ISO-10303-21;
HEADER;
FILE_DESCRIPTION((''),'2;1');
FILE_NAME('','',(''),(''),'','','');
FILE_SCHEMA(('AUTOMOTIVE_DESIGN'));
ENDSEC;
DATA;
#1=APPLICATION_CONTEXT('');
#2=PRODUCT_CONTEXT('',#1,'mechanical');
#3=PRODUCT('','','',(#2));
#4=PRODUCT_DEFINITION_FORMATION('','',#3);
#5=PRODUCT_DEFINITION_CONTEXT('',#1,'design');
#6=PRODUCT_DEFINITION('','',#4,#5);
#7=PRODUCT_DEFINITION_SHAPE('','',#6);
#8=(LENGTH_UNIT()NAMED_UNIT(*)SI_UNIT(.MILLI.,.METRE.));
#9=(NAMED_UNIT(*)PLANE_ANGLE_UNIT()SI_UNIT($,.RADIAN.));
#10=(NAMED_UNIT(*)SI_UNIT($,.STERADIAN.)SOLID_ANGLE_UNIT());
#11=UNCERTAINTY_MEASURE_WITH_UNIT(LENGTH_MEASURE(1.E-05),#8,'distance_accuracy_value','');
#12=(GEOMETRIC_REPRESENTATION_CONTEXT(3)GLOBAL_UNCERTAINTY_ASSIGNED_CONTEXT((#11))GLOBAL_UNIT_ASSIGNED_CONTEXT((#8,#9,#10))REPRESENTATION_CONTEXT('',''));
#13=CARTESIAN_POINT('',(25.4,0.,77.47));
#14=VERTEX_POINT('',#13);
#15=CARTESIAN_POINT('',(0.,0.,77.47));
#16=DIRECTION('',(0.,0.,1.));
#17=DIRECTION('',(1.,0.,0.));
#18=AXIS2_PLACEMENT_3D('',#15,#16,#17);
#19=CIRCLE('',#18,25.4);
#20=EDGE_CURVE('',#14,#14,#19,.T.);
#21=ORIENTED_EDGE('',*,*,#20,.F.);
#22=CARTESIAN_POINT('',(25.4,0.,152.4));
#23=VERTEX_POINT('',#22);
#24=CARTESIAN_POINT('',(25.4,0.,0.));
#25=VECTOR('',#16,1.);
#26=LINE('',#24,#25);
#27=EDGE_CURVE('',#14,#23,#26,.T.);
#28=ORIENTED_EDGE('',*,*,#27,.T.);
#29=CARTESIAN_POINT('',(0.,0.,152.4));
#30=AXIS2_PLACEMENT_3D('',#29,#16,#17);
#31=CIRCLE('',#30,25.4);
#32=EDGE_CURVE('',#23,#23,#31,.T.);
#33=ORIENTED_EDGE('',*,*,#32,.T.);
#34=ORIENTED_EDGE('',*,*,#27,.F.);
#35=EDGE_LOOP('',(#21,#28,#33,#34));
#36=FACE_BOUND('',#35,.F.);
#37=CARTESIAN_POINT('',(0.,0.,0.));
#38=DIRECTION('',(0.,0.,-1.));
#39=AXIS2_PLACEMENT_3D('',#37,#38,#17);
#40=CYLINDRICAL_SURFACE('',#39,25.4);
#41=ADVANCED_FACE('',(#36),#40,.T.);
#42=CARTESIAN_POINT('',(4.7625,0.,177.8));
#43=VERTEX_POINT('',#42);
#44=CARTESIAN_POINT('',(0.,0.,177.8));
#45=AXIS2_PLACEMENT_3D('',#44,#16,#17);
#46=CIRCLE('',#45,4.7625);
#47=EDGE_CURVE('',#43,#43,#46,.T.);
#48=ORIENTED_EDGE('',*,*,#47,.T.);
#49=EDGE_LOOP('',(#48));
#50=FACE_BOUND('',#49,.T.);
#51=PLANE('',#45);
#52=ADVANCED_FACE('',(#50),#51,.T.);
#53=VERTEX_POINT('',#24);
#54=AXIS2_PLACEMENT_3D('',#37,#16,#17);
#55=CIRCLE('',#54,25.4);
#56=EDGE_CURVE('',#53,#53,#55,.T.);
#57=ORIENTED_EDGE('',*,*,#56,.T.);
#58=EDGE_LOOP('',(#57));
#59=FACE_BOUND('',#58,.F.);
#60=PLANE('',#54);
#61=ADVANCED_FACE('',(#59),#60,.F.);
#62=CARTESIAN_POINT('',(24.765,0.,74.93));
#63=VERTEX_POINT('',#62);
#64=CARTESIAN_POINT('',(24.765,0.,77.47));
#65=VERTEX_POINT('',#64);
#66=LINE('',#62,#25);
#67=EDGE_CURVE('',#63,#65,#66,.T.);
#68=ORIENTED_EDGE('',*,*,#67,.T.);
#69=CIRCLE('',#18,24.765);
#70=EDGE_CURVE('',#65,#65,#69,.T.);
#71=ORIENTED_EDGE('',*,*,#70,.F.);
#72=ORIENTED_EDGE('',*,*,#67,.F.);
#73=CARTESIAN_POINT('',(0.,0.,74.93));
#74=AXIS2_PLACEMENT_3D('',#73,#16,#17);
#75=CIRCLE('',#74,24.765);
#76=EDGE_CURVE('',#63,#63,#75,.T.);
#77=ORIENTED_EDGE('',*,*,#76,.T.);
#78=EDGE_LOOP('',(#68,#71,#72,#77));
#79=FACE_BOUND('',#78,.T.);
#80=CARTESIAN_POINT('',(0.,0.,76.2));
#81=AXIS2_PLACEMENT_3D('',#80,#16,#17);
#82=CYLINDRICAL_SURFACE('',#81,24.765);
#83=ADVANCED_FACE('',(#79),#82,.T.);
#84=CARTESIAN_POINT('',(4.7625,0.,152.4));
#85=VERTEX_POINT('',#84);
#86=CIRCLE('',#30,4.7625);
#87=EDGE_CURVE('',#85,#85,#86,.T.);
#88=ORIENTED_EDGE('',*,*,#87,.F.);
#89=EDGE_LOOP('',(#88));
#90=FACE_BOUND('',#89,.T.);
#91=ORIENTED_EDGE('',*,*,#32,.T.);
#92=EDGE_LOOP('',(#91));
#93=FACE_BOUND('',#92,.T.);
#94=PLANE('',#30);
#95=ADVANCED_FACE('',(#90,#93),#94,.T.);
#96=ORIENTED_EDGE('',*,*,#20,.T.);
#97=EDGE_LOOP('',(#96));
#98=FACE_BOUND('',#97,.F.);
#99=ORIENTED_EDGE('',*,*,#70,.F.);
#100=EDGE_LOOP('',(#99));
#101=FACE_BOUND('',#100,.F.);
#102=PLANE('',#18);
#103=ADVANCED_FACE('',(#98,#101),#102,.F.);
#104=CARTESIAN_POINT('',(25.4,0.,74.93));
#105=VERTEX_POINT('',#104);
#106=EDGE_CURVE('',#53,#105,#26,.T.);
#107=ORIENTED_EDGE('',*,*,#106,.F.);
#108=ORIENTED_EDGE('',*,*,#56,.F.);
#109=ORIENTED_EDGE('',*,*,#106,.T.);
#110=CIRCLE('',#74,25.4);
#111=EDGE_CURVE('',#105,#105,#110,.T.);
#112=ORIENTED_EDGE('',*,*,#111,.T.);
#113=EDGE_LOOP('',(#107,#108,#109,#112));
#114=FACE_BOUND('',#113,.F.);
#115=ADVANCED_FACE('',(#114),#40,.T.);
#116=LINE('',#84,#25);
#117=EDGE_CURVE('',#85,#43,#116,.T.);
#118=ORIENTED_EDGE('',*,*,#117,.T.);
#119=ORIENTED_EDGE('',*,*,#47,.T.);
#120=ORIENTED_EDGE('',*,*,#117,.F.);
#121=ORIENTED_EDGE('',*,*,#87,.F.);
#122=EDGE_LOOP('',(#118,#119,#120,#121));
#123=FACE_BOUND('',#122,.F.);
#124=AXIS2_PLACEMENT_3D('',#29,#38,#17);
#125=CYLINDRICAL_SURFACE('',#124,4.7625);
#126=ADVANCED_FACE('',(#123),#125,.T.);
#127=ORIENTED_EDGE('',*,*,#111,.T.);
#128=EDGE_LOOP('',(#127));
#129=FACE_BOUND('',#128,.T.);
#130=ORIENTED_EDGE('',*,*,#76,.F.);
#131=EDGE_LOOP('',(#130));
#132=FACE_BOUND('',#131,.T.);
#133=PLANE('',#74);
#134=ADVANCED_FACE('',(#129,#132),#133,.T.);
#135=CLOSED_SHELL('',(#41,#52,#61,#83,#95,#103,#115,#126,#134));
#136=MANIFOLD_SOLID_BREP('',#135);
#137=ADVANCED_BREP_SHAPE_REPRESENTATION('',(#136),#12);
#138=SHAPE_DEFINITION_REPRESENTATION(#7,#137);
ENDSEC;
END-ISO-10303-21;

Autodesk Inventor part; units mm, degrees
ref_plane "YZ Plane" through (0, 0, 0) normal (1, 0, 0) x (0, 1, 0)
ref_plane "XZ Plane" through (0, 0, 0) normal (0, 1, 0) x (-1, 0, 0)
sketch "Sketch1" plane through (0, 0, 0) normal (0, 0, 1) x (1, 0, 0)
  circle A0 centre (0, 0) radius 25.4
  dimension "d0" = 50.8
extrude "Extrusion1" add sketch "Sketch1" along normal blind 152.4
sketch "Sketch2" plane through (0, 0, 152.4) normal (0, 0, 1) x (1, 0, 0)
  circle A0 centre (0, 0) radius 25.4 projected
  circle A1 centre (0, 0) radius 4.7625
  dimension "d3" = 9.525
extrude "Extrusion2" add sketch "Sketch2" along normal blind 25.4 contours A1
ref_plane "Work Plane1" through (0, 0, 76.2) normal (0, 0, 1) x (1, 0, 0)
sketch "Sketch3" plane through (0, 0, 76.2) normal (0, 0, 1) x (1, 0, 0)
  circle A0 centre (0, 0) radius 25.4
  circle A1 centre (0, 0) radius 24.765
  dimension "d6" = 50.8
  dimension "d7" = 49.53
extrude "Extrusion3" cut sketch "Sketch3" along normal mid plane 2.54
properties part number "SmallMotor_NERDS"
